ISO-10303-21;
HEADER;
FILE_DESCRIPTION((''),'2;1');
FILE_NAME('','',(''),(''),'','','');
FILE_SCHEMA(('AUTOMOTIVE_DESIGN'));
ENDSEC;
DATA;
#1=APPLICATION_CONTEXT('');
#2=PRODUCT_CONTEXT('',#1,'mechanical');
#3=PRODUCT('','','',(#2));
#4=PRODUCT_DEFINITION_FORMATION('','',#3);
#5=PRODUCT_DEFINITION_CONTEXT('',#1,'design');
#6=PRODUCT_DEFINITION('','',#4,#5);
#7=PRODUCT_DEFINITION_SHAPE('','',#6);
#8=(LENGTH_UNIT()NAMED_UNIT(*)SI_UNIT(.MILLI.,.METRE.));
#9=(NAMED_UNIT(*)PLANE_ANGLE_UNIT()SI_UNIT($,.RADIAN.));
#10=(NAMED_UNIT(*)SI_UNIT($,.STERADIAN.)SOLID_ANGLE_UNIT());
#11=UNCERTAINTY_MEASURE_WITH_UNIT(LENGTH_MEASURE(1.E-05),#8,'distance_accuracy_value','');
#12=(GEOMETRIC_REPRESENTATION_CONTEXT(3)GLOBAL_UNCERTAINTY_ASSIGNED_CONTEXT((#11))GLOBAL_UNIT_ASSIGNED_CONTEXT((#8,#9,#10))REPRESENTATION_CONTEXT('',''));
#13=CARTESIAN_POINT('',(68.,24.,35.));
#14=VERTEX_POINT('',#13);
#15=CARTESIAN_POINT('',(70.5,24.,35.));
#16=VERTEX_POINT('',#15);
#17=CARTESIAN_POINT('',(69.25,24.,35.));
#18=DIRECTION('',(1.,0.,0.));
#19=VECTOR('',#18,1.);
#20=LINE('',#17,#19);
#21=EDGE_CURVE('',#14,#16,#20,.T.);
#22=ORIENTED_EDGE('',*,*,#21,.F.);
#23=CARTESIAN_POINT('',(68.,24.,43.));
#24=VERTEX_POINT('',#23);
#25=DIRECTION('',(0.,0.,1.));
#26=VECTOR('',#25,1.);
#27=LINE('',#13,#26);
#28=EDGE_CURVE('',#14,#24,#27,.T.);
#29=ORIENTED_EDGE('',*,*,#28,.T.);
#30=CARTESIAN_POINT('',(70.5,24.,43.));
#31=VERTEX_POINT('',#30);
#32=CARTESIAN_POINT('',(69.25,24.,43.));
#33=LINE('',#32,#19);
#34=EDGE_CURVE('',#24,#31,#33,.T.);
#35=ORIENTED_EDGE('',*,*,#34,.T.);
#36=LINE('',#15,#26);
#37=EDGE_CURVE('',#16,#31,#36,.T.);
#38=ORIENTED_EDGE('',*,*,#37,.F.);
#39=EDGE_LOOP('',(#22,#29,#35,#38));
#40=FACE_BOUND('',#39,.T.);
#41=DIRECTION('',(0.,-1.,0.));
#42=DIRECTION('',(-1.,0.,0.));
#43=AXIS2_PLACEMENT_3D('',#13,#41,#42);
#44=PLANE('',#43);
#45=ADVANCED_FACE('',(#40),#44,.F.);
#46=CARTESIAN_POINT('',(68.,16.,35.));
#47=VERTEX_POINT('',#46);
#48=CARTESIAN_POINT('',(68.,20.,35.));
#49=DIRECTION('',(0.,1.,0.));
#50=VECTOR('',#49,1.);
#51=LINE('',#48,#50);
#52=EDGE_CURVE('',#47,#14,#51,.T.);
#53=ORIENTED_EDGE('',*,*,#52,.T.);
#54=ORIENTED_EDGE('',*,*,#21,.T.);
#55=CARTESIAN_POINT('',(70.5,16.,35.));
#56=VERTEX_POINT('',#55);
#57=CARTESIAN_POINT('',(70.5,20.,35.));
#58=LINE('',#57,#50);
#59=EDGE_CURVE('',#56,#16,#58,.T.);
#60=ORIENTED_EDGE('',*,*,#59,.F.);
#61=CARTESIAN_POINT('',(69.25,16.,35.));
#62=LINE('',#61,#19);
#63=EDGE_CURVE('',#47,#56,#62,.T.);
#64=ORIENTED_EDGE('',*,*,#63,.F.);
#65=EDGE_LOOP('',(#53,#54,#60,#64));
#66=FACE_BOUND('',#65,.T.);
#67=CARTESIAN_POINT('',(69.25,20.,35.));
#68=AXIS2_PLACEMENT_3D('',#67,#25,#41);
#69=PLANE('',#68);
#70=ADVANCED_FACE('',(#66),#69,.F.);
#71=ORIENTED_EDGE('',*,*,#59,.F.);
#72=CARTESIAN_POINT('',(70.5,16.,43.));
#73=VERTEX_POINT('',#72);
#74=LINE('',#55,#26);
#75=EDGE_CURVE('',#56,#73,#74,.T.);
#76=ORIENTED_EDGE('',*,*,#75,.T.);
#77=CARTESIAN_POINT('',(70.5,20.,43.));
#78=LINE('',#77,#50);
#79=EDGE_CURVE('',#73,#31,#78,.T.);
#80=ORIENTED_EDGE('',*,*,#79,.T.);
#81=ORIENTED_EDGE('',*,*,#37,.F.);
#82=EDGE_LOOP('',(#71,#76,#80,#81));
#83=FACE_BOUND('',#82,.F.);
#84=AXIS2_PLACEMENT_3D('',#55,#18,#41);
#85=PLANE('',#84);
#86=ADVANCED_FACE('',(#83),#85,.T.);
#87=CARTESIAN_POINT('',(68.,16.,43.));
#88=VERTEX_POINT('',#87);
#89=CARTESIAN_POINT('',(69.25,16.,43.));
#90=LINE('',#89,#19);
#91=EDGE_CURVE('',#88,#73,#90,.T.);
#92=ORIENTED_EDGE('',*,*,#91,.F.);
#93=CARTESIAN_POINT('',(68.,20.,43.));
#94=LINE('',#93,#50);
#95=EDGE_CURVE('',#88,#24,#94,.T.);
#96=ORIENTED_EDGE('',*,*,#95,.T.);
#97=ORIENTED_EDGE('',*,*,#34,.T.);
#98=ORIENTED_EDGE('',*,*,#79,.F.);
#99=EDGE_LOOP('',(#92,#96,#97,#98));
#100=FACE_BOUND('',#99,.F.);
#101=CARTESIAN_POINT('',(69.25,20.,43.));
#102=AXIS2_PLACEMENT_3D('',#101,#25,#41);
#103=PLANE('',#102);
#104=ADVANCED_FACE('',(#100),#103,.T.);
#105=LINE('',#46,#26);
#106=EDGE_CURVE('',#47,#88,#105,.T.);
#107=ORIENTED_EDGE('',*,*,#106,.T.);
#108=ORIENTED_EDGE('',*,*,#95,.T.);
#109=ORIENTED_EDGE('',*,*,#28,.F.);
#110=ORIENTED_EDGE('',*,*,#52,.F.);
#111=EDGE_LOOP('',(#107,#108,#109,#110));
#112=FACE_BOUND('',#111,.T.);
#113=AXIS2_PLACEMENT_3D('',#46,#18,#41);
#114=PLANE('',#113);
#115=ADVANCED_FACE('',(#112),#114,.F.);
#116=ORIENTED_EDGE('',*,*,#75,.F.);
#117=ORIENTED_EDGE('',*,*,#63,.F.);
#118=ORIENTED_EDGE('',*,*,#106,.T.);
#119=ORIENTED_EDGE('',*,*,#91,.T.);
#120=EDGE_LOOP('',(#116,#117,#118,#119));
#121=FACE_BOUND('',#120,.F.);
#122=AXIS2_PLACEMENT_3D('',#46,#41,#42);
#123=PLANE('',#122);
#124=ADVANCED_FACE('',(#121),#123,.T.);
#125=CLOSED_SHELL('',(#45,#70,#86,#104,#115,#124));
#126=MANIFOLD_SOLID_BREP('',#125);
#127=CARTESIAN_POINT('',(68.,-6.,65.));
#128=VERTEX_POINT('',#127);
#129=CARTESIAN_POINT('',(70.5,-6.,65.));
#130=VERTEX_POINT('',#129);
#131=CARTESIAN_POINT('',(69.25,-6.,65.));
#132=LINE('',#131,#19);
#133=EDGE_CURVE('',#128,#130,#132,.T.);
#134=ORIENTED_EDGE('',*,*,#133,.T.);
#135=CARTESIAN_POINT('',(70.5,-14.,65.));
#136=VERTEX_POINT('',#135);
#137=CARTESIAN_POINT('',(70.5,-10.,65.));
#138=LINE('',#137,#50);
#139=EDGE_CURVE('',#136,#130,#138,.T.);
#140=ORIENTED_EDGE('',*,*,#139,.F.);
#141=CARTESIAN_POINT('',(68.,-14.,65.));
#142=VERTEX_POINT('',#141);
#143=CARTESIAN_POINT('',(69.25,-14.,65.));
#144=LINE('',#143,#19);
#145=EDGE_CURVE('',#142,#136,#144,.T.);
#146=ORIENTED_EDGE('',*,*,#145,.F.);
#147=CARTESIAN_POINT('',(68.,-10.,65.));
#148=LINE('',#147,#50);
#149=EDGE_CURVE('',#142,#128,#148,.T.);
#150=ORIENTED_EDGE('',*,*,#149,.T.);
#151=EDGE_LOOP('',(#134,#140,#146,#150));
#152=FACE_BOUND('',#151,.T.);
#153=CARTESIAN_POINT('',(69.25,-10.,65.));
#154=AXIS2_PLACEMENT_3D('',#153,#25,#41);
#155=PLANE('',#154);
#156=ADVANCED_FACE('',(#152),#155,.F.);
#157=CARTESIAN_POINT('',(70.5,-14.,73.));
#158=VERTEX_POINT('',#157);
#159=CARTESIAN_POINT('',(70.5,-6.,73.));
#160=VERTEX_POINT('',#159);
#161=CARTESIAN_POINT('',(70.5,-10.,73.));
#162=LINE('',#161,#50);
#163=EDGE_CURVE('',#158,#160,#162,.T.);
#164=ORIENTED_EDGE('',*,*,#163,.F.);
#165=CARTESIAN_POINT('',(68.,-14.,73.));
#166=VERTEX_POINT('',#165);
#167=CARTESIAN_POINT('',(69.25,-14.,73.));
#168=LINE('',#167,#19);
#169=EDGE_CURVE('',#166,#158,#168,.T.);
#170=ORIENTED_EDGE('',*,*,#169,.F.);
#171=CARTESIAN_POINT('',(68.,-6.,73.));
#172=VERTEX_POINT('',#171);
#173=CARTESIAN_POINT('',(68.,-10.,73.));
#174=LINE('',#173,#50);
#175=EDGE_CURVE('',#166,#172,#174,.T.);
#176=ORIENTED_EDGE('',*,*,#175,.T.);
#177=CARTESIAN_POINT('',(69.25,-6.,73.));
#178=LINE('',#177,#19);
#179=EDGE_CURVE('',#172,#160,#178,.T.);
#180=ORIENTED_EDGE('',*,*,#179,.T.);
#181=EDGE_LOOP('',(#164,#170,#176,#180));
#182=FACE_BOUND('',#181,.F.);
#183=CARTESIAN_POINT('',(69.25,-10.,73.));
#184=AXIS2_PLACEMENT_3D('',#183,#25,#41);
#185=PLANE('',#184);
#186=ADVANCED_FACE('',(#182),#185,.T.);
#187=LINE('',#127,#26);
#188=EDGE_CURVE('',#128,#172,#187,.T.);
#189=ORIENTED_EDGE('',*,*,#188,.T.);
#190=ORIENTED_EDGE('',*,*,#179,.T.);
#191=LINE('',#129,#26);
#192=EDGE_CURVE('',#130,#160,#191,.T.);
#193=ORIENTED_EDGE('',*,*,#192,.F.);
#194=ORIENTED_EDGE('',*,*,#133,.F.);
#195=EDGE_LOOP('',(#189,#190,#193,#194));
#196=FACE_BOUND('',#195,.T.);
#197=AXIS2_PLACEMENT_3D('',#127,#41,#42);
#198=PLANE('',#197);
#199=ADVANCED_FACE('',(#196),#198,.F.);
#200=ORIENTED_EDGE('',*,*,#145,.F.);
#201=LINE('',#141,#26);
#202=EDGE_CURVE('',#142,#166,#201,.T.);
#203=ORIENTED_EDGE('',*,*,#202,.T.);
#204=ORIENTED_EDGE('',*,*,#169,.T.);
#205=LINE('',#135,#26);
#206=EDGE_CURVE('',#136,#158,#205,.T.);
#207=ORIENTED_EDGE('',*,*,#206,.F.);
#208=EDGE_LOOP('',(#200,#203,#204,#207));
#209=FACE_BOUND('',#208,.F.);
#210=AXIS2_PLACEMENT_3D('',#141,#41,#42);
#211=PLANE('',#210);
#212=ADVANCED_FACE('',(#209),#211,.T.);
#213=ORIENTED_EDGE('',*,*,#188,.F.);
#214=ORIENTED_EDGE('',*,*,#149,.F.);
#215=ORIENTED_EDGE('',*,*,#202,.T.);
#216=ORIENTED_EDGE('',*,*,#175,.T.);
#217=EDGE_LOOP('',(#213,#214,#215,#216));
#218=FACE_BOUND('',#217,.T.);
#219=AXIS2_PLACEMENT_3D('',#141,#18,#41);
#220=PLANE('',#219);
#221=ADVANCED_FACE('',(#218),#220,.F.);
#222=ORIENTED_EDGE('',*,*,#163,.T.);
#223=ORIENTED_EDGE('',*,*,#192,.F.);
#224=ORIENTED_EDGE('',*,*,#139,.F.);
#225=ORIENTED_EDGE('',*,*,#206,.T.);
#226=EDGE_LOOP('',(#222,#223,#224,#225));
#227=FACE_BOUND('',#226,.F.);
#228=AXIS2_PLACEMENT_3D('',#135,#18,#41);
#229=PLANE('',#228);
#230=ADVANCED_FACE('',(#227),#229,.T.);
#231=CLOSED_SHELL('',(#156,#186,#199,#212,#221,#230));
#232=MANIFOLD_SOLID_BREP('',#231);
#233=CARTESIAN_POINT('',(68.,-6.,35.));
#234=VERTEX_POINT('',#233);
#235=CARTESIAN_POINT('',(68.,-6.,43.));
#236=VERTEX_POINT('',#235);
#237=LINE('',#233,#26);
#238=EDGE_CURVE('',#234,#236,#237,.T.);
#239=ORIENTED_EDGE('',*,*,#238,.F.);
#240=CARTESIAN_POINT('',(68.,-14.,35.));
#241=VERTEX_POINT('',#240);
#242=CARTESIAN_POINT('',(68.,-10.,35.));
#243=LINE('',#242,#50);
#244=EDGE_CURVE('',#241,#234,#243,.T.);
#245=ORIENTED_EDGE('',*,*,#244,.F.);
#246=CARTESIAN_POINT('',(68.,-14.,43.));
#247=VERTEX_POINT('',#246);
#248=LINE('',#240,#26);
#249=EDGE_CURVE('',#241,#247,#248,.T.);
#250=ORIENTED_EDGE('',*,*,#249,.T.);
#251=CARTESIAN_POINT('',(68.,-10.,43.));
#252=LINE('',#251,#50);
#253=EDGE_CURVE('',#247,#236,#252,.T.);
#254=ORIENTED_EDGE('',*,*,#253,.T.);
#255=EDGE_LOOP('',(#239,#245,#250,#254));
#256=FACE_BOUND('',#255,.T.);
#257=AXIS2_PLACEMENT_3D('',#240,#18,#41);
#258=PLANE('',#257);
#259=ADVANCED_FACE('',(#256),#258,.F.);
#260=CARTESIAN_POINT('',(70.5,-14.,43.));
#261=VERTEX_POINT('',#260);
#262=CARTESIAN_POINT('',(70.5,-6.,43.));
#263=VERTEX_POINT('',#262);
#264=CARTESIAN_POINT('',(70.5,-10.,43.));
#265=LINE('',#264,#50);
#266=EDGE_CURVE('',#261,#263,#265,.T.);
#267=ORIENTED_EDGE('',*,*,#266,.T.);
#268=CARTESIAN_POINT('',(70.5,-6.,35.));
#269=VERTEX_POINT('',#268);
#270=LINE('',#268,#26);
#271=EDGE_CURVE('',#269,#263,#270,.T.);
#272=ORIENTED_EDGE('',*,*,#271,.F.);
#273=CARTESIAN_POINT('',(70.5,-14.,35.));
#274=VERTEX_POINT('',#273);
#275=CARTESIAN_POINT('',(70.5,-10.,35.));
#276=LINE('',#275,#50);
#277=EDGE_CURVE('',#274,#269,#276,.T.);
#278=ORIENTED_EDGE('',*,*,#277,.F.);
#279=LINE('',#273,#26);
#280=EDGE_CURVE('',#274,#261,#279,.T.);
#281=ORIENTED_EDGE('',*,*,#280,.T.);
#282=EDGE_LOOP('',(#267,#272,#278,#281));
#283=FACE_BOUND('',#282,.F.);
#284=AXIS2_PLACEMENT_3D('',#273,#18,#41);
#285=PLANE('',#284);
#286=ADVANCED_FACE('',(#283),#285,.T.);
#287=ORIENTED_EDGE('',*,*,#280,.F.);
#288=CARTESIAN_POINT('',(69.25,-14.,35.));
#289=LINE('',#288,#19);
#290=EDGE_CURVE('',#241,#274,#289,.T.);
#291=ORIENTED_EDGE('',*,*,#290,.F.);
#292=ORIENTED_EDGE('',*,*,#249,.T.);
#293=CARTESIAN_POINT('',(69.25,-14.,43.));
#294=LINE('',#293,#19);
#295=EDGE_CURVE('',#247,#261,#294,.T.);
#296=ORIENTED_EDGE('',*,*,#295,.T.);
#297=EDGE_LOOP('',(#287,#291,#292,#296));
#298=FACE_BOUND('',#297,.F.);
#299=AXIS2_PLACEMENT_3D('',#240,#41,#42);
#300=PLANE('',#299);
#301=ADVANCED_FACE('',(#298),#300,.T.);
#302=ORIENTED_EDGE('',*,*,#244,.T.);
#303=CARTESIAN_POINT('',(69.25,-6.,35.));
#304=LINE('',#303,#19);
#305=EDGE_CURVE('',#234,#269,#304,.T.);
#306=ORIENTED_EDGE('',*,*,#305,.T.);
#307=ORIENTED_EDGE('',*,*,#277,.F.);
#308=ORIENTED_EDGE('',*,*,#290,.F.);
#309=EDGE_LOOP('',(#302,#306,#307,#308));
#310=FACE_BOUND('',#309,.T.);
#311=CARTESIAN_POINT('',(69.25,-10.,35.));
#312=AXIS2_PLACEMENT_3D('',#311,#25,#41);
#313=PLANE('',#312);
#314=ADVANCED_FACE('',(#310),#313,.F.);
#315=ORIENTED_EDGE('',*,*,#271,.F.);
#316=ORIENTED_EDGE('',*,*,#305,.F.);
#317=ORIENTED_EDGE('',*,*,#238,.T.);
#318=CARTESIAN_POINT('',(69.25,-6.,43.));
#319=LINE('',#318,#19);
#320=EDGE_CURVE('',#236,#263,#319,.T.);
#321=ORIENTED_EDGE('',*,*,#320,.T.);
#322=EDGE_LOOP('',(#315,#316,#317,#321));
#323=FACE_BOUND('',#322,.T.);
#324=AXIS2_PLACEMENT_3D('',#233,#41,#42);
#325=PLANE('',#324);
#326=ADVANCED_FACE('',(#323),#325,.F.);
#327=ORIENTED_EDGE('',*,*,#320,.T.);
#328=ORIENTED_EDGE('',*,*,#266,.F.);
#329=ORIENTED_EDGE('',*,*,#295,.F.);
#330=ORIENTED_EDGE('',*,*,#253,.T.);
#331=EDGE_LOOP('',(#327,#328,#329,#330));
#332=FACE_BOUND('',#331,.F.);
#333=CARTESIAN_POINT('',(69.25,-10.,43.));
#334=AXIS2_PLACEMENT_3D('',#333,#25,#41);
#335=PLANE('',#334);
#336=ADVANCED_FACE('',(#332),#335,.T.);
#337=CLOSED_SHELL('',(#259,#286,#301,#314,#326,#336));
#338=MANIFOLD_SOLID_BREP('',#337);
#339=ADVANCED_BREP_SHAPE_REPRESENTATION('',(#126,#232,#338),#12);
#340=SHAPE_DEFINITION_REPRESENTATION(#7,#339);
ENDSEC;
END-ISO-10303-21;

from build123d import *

# Parameters (mm, degrees)
BOX810_W     = 8
BOX810_H     = 2.5
BOX810_DEPTH = 8
BOX808_W     = 8
BOX808_H     = 2.5
BOX808_DEPTH = 8
BOX811_W     = 8
BOX811_H     = 2.5
BOX811_DEPTH = 8


with BuildPart() as krychle810:
    # Box810 → Box810 (new body)
    with BuildSketch(Plane(origin=(-68, 16, 35), x_dir=(0, 1, 0), z_dir=(0, 0, 1))):
        with Locations((4, 1.25)):
            Rectangle(BOX810_W, BOX810_H)
    extrude(amount=BOX810_DEPTH)


with BuildPart() as krychle808:
    # Box808 → Box808 (new body)
    with BuildSketch(Plane(origin=(-68, -14, 65), x_dir=(0, 1, 0), z_dir=(0, 0, 1))):
        with Locations((4, 1.25)):
            Rectangle(BOX808_W, BOX808_H)
    extrude(amount=BOX808_DEPTH)


with BuildPart() as compound942:
    # Box811 → Box811 (new body)
    with BuildSketch(Plane(origin=(-68, -14, 35), x_dir=(0, 1, 0), z_dir=(0, 0, 1))):
        with Locations((4, 1.25)):
            Rectangle(BOX811_W, BOX811_H)
    extrude(amount=BOX811_DEPTH)

    # Compound942: union Krychle810, Krychle808
    add(krychle810.part)
    add(krychle808.part)


with BuildPart() as compound942_mirrored:
    # mirror006: instance of Compound942
    add(compound942.part.mirror(Plane(origin=(0, 0, 0), x_dir=(0, -1, 0), z_dir=(1, 0, 0))))


solid = compound942_mirrored.part
